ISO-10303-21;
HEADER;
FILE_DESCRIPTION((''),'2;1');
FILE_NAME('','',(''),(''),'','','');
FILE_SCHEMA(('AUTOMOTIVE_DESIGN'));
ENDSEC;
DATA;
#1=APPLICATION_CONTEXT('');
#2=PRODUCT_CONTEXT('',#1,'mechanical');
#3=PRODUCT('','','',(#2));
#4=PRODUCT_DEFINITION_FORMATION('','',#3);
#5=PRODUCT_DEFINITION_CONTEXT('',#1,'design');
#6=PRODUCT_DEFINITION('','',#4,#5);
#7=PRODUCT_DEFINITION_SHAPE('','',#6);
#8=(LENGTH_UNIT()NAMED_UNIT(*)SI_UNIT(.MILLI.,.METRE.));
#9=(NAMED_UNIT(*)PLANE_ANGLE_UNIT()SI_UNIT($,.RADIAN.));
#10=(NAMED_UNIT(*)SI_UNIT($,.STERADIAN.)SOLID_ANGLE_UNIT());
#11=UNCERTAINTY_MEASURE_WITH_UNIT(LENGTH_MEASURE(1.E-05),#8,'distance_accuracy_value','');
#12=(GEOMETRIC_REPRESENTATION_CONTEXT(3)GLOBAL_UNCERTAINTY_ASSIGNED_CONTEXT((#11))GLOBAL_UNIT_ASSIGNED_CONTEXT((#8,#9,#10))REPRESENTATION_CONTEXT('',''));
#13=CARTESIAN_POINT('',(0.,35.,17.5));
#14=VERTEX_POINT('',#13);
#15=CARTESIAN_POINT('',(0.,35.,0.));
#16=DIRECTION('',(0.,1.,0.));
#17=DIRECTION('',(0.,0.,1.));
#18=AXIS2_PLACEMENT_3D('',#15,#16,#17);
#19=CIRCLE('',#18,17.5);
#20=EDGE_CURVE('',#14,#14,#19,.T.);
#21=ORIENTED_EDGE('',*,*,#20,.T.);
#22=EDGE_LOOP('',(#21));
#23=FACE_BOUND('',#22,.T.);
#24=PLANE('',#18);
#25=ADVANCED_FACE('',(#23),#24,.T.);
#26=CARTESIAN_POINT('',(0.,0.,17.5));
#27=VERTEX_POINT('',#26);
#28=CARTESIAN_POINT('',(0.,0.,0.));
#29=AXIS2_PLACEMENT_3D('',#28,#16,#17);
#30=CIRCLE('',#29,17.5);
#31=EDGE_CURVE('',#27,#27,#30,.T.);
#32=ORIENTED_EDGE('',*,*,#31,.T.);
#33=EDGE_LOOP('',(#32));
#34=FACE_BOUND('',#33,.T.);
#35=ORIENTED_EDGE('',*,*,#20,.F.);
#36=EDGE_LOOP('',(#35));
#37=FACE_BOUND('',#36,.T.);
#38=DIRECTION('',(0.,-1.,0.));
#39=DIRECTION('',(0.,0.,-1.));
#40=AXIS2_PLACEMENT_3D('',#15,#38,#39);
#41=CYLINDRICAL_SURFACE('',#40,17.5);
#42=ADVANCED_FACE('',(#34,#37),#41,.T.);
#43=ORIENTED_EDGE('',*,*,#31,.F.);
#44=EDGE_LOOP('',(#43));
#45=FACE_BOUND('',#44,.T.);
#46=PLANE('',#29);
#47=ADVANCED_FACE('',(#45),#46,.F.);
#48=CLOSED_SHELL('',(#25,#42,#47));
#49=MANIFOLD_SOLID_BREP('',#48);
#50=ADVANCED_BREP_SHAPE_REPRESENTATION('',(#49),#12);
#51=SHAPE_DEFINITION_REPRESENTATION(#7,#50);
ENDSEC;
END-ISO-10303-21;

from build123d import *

# Parameters (mm, degrees)
SKETCH_1_R      = 17.5
EXTRUDE_1_DEPTH = 35


with BuildPart() as part:
    # Эскиз1 → Бобышка-Вытянуть1 (new body)
    with BuildSketch(Plane(origin=(0, 0, 0), x_dir=(1, 0, 0), z_dir=(0, 1, 0))):
        with Locations(Location((0, 0, 0), (0, 0, 270))):
            Circle(SKETCH_1_R)
    extrude(amount=EXTRUDE_1_DEPTH)


solid = part.part
